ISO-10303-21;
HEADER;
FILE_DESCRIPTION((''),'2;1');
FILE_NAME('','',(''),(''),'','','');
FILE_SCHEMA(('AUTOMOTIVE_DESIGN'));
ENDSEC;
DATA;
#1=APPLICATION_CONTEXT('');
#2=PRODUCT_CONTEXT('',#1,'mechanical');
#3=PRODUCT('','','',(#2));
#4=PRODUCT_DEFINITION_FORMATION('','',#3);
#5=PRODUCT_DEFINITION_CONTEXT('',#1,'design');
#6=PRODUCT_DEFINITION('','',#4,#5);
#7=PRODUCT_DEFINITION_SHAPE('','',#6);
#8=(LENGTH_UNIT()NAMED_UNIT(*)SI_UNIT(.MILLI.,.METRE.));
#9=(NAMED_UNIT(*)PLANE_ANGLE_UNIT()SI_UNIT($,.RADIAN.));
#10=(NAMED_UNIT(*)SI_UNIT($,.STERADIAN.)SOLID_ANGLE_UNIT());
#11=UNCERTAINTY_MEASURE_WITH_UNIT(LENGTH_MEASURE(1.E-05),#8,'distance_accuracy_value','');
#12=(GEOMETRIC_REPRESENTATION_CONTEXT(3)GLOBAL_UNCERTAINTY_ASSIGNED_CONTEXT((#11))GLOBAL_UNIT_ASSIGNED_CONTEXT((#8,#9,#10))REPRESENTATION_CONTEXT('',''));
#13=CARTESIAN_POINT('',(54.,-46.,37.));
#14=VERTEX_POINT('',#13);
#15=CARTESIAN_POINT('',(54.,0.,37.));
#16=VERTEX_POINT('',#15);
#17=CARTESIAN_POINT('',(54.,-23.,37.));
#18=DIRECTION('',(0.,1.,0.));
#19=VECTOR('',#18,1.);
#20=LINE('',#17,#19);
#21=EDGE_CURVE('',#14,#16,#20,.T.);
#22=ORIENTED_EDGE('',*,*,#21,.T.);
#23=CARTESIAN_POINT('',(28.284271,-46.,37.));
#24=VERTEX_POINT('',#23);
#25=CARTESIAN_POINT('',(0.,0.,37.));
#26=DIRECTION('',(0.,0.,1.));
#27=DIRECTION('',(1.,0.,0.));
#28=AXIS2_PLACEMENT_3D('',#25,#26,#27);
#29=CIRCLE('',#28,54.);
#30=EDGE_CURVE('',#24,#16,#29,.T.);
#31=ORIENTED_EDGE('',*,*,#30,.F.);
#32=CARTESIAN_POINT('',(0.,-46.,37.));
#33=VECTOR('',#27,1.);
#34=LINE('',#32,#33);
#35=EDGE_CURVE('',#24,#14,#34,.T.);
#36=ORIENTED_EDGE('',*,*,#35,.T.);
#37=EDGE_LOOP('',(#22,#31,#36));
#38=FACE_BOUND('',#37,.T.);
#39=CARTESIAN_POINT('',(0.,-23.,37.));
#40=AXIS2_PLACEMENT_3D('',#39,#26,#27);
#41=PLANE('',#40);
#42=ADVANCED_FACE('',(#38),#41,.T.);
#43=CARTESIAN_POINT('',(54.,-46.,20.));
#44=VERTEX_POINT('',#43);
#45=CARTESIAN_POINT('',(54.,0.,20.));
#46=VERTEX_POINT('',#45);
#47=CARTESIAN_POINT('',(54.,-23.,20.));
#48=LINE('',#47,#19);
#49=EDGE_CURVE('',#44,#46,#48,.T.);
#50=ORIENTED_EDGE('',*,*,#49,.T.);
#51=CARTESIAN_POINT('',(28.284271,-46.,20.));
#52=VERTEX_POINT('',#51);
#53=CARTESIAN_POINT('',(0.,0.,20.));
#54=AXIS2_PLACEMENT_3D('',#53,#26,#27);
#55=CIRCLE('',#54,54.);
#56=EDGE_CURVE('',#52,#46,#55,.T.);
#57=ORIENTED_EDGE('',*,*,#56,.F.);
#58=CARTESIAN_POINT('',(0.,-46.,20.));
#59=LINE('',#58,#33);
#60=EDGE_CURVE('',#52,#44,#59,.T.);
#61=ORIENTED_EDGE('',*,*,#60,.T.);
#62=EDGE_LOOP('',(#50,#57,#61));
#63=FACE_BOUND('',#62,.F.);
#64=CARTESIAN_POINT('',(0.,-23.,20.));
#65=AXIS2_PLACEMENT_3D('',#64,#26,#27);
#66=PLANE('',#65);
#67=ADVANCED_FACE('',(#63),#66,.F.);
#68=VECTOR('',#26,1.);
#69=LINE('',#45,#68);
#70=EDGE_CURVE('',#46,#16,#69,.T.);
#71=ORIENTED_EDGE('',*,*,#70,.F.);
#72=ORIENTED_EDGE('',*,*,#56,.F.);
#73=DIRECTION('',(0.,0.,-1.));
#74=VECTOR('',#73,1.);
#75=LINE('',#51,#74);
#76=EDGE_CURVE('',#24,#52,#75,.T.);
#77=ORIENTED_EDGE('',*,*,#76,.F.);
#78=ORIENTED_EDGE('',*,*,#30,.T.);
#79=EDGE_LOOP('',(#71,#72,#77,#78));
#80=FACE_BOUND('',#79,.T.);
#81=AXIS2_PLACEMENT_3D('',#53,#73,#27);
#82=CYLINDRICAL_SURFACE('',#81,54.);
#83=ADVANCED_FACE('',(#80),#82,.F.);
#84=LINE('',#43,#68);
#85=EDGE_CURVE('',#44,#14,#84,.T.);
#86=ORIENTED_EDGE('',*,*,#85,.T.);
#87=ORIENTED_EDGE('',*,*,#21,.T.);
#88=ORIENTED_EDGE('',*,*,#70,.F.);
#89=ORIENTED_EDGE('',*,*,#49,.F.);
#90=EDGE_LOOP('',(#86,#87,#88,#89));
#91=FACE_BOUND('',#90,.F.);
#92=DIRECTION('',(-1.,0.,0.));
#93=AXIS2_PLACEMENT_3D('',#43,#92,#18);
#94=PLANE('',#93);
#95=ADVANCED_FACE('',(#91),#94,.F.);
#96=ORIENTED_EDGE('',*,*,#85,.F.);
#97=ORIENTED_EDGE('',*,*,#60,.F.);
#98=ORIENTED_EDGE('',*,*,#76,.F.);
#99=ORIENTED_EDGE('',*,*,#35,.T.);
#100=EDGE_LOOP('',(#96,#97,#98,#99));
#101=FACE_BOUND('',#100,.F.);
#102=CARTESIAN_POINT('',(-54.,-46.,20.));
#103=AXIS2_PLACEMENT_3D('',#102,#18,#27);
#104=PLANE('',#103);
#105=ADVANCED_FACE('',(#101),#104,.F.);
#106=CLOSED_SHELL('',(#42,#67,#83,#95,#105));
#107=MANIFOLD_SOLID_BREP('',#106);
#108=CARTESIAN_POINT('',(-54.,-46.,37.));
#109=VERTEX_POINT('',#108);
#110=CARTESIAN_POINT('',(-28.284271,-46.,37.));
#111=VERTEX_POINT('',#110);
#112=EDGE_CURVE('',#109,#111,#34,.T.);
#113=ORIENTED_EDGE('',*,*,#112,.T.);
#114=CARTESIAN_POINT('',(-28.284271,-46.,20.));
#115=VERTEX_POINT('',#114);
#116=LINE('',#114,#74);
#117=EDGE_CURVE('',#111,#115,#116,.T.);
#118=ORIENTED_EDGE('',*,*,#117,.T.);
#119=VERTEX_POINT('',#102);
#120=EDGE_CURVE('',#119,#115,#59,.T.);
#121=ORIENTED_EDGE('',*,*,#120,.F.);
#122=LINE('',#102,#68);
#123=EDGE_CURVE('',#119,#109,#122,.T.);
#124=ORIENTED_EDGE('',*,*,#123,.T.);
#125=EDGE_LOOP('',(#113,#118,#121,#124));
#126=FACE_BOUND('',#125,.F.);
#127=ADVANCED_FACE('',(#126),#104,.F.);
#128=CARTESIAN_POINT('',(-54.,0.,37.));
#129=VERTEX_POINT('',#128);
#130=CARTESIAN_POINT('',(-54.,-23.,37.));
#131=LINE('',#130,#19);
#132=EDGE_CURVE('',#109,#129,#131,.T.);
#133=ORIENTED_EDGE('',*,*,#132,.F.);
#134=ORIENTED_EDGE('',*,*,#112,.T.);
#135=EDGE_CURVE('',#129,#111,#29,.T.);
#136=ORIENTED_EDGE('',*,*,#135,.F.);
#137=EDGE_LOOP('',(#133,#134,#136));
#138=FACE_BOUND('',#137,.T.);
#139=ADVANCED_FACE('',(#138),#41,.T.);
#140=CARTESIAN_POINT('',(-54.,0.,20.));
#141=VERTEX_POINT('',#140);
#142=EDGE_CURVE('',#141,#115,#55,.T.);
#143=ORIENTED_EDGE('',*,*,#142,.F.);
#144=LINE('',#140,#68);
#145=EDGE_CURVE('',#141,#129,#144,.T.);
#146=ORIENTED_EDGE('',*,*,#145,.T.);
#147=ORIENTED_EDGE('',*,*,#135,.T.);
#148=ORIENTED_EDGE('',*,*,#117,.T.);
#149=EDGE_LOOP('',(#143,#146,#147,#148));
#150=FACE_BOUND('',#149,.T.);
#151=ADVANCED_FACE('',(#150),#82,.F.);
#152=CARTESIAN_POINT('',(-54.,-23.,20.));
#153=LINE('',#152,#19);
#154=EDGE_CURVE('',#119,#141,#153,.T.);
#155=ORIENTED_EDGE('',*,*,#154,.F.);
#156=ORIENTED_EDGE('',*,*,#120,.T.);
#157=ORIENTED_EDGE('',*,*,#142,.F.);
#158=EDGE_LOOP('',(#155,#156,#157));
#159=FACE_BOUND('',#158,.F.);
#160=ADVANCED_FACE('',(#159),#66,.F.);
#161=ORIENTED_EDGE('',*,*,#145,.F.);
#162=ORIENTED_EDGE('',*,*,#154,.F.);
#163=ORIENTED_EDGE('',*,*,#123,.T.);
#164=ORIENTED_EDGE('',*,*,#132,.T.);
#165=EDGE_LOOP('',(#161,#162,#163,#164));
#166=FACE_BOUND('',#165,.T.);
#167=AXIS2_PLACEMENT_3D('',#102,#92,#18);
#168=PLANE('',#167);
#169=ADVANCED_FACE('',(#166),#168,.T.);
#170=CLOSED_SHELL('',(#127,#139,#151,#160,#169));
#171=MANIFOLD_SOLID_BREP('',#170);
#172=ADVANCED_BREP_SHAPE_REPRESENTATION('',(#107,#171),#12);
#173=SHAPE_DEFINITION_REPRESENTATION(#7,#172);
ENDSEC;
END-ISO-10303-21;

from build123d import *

# Parameters (mm, degrees)
CYLINDER116_R               = 1.5
CYLINDER116_DEPTH           = 4
CYLINDER115_R               = 1.5
CYLINDER115_DEPTH           = 100
BOX037_W                    = 2
BOX037_H                    = 6
BOX037_DEPTH                = 6
COMPOUND032_PLACEMENT_ANGLE = 90
CYLINDER118_R               = 1.5
CYLINDER118_DEPTH           = 4
CYLINDER117_R               = 1.5
CYLINDER117_DEPTH           = 100
BOX036_W                    = 2
BOX036_H                    = 6
BOX036_DEPTH                = 6
COMPOUND_PLACEMENT_ANGLE    = 90
CYLINDER113_R               = 54
CYLINDER113_DEPTH           = 17
BOX035_W                    = 108
BOX035_H                    = 46
BOX035_DEPTH                = 17


with BuildPart() as v_lec116:
    # Cylinder116 → Cylinder116 (new body)
    with BuildSketch(Plane(origin=(-4, 3, 3), x_dir=(0, 0, -1), z_dir=(1, 0, 0))):
        Circle(CYLINDER116_R)
    extrude(amount=CYLINDER116_DEPTH)


with BuildPart() as v_lec115:
    # Cylinder115 → Cylinder115 (new body)
    with BuildSketch(Plane(origin=(2, 3, 3), x_dir=(0, 0, -1), z_dir=(1, 0, 0))):
        Circle(CYLINDER115_R)
    extrude(amount=CYLINDER115_DEPTH)


with BuildPart() as compound032:
    # Box037 → Box037 (new body)
    with BuildSketch(Plane.XY):
        with Locations((1, 3)):
            Rectangle(BOX037_W, BOX037_H)
    extrude(amount=BOX037_DEPTH)

    # Compound032: union Válec116, Válec115
    add(v_lec116.part)
    add(v_lec115.part)


with BuildPart() as compound032_1:
    # Compound032 placement: moved
    add(compound032.part.moved(Location((-54, 166, 27))).rotate(Axis((-54, 166, 27), (0, 0, -1)), COMPOUND032_PLACEMENT_ANGLE))


with BuildPart() as v_lec118:
    # Cylinder118 → Cylinder118 (new body)
    with BuildSketch(Plane(origin=(-4, 3, 3), x_dir=(0, 0, -1), z_dir=(1, 0, 0))):
        Circle(CYLINDER118_R)
    extrude(amount=CYLINDER118_DEPTH)


with BuildPart() as v_lec117:
    # Cylinder117 → Cylinder117 (new body)
    with BuildSketch(Plane(origin=(2, 3, 3), x_dir=(0, 0, -1), z_dir=(1, 0, 0))):
        Circle(CYLINDER117_R)
    extrude(amount=CYLINDER117_DEPTH)


with BuildPart() as fusion003:
    # Box036 → Box036 (new body)
    with BuildSketch(Plane.XY):
        with Locations((1, 3)):
            Rectangle(BOX036_W, BOX036_H)
    extrude(amount=BOX036_DEPTH)

    # Compound: union Válec118, Válec117
    add(v_lec118.part)
    add(v_lec117.part)


with BuildPart() as fusion003_1:
    # Compound placement: moved
    add(fusion003.part.moved(Location((48, 166, 27))).rotate(Axis((48, 166, 27), (0, 0, -1)), COMPOUND_PLACEMENT_ANGLE))

    # Fusion003: union Compound032
    add(compound032_1.part)


with BuildPart() as v_lec113:
    # Cylinder113 → Cylinder113 (new body)
    with BuildSketch(Plane.XY.offset(20)):
        Circle(CYLINDER113_R)
    extrude(amount=CYLINDER113_DEPTH)


with BuildPart() as cut016:
    # Box035 → Box035 (new body)
    with BuildSketch(Plane(origin=(-54, -46, 20), x_dir=(1, 0, 0), z_dir=(0, 0, 1))):
        with Locations((54, 23)):
            Rectangle(BOX035_W, BOX035_H)
    extrude(amount=BOX035_DEPTH)

    # Cut: cut Válec113
    add(v_lec113.part, mode=Mode.SUBTRACT)

    # Cut016: cut Fusion003
    add(fusion003_1.part, mode=Mode.SUBTRACT)


solid = cut016.part
